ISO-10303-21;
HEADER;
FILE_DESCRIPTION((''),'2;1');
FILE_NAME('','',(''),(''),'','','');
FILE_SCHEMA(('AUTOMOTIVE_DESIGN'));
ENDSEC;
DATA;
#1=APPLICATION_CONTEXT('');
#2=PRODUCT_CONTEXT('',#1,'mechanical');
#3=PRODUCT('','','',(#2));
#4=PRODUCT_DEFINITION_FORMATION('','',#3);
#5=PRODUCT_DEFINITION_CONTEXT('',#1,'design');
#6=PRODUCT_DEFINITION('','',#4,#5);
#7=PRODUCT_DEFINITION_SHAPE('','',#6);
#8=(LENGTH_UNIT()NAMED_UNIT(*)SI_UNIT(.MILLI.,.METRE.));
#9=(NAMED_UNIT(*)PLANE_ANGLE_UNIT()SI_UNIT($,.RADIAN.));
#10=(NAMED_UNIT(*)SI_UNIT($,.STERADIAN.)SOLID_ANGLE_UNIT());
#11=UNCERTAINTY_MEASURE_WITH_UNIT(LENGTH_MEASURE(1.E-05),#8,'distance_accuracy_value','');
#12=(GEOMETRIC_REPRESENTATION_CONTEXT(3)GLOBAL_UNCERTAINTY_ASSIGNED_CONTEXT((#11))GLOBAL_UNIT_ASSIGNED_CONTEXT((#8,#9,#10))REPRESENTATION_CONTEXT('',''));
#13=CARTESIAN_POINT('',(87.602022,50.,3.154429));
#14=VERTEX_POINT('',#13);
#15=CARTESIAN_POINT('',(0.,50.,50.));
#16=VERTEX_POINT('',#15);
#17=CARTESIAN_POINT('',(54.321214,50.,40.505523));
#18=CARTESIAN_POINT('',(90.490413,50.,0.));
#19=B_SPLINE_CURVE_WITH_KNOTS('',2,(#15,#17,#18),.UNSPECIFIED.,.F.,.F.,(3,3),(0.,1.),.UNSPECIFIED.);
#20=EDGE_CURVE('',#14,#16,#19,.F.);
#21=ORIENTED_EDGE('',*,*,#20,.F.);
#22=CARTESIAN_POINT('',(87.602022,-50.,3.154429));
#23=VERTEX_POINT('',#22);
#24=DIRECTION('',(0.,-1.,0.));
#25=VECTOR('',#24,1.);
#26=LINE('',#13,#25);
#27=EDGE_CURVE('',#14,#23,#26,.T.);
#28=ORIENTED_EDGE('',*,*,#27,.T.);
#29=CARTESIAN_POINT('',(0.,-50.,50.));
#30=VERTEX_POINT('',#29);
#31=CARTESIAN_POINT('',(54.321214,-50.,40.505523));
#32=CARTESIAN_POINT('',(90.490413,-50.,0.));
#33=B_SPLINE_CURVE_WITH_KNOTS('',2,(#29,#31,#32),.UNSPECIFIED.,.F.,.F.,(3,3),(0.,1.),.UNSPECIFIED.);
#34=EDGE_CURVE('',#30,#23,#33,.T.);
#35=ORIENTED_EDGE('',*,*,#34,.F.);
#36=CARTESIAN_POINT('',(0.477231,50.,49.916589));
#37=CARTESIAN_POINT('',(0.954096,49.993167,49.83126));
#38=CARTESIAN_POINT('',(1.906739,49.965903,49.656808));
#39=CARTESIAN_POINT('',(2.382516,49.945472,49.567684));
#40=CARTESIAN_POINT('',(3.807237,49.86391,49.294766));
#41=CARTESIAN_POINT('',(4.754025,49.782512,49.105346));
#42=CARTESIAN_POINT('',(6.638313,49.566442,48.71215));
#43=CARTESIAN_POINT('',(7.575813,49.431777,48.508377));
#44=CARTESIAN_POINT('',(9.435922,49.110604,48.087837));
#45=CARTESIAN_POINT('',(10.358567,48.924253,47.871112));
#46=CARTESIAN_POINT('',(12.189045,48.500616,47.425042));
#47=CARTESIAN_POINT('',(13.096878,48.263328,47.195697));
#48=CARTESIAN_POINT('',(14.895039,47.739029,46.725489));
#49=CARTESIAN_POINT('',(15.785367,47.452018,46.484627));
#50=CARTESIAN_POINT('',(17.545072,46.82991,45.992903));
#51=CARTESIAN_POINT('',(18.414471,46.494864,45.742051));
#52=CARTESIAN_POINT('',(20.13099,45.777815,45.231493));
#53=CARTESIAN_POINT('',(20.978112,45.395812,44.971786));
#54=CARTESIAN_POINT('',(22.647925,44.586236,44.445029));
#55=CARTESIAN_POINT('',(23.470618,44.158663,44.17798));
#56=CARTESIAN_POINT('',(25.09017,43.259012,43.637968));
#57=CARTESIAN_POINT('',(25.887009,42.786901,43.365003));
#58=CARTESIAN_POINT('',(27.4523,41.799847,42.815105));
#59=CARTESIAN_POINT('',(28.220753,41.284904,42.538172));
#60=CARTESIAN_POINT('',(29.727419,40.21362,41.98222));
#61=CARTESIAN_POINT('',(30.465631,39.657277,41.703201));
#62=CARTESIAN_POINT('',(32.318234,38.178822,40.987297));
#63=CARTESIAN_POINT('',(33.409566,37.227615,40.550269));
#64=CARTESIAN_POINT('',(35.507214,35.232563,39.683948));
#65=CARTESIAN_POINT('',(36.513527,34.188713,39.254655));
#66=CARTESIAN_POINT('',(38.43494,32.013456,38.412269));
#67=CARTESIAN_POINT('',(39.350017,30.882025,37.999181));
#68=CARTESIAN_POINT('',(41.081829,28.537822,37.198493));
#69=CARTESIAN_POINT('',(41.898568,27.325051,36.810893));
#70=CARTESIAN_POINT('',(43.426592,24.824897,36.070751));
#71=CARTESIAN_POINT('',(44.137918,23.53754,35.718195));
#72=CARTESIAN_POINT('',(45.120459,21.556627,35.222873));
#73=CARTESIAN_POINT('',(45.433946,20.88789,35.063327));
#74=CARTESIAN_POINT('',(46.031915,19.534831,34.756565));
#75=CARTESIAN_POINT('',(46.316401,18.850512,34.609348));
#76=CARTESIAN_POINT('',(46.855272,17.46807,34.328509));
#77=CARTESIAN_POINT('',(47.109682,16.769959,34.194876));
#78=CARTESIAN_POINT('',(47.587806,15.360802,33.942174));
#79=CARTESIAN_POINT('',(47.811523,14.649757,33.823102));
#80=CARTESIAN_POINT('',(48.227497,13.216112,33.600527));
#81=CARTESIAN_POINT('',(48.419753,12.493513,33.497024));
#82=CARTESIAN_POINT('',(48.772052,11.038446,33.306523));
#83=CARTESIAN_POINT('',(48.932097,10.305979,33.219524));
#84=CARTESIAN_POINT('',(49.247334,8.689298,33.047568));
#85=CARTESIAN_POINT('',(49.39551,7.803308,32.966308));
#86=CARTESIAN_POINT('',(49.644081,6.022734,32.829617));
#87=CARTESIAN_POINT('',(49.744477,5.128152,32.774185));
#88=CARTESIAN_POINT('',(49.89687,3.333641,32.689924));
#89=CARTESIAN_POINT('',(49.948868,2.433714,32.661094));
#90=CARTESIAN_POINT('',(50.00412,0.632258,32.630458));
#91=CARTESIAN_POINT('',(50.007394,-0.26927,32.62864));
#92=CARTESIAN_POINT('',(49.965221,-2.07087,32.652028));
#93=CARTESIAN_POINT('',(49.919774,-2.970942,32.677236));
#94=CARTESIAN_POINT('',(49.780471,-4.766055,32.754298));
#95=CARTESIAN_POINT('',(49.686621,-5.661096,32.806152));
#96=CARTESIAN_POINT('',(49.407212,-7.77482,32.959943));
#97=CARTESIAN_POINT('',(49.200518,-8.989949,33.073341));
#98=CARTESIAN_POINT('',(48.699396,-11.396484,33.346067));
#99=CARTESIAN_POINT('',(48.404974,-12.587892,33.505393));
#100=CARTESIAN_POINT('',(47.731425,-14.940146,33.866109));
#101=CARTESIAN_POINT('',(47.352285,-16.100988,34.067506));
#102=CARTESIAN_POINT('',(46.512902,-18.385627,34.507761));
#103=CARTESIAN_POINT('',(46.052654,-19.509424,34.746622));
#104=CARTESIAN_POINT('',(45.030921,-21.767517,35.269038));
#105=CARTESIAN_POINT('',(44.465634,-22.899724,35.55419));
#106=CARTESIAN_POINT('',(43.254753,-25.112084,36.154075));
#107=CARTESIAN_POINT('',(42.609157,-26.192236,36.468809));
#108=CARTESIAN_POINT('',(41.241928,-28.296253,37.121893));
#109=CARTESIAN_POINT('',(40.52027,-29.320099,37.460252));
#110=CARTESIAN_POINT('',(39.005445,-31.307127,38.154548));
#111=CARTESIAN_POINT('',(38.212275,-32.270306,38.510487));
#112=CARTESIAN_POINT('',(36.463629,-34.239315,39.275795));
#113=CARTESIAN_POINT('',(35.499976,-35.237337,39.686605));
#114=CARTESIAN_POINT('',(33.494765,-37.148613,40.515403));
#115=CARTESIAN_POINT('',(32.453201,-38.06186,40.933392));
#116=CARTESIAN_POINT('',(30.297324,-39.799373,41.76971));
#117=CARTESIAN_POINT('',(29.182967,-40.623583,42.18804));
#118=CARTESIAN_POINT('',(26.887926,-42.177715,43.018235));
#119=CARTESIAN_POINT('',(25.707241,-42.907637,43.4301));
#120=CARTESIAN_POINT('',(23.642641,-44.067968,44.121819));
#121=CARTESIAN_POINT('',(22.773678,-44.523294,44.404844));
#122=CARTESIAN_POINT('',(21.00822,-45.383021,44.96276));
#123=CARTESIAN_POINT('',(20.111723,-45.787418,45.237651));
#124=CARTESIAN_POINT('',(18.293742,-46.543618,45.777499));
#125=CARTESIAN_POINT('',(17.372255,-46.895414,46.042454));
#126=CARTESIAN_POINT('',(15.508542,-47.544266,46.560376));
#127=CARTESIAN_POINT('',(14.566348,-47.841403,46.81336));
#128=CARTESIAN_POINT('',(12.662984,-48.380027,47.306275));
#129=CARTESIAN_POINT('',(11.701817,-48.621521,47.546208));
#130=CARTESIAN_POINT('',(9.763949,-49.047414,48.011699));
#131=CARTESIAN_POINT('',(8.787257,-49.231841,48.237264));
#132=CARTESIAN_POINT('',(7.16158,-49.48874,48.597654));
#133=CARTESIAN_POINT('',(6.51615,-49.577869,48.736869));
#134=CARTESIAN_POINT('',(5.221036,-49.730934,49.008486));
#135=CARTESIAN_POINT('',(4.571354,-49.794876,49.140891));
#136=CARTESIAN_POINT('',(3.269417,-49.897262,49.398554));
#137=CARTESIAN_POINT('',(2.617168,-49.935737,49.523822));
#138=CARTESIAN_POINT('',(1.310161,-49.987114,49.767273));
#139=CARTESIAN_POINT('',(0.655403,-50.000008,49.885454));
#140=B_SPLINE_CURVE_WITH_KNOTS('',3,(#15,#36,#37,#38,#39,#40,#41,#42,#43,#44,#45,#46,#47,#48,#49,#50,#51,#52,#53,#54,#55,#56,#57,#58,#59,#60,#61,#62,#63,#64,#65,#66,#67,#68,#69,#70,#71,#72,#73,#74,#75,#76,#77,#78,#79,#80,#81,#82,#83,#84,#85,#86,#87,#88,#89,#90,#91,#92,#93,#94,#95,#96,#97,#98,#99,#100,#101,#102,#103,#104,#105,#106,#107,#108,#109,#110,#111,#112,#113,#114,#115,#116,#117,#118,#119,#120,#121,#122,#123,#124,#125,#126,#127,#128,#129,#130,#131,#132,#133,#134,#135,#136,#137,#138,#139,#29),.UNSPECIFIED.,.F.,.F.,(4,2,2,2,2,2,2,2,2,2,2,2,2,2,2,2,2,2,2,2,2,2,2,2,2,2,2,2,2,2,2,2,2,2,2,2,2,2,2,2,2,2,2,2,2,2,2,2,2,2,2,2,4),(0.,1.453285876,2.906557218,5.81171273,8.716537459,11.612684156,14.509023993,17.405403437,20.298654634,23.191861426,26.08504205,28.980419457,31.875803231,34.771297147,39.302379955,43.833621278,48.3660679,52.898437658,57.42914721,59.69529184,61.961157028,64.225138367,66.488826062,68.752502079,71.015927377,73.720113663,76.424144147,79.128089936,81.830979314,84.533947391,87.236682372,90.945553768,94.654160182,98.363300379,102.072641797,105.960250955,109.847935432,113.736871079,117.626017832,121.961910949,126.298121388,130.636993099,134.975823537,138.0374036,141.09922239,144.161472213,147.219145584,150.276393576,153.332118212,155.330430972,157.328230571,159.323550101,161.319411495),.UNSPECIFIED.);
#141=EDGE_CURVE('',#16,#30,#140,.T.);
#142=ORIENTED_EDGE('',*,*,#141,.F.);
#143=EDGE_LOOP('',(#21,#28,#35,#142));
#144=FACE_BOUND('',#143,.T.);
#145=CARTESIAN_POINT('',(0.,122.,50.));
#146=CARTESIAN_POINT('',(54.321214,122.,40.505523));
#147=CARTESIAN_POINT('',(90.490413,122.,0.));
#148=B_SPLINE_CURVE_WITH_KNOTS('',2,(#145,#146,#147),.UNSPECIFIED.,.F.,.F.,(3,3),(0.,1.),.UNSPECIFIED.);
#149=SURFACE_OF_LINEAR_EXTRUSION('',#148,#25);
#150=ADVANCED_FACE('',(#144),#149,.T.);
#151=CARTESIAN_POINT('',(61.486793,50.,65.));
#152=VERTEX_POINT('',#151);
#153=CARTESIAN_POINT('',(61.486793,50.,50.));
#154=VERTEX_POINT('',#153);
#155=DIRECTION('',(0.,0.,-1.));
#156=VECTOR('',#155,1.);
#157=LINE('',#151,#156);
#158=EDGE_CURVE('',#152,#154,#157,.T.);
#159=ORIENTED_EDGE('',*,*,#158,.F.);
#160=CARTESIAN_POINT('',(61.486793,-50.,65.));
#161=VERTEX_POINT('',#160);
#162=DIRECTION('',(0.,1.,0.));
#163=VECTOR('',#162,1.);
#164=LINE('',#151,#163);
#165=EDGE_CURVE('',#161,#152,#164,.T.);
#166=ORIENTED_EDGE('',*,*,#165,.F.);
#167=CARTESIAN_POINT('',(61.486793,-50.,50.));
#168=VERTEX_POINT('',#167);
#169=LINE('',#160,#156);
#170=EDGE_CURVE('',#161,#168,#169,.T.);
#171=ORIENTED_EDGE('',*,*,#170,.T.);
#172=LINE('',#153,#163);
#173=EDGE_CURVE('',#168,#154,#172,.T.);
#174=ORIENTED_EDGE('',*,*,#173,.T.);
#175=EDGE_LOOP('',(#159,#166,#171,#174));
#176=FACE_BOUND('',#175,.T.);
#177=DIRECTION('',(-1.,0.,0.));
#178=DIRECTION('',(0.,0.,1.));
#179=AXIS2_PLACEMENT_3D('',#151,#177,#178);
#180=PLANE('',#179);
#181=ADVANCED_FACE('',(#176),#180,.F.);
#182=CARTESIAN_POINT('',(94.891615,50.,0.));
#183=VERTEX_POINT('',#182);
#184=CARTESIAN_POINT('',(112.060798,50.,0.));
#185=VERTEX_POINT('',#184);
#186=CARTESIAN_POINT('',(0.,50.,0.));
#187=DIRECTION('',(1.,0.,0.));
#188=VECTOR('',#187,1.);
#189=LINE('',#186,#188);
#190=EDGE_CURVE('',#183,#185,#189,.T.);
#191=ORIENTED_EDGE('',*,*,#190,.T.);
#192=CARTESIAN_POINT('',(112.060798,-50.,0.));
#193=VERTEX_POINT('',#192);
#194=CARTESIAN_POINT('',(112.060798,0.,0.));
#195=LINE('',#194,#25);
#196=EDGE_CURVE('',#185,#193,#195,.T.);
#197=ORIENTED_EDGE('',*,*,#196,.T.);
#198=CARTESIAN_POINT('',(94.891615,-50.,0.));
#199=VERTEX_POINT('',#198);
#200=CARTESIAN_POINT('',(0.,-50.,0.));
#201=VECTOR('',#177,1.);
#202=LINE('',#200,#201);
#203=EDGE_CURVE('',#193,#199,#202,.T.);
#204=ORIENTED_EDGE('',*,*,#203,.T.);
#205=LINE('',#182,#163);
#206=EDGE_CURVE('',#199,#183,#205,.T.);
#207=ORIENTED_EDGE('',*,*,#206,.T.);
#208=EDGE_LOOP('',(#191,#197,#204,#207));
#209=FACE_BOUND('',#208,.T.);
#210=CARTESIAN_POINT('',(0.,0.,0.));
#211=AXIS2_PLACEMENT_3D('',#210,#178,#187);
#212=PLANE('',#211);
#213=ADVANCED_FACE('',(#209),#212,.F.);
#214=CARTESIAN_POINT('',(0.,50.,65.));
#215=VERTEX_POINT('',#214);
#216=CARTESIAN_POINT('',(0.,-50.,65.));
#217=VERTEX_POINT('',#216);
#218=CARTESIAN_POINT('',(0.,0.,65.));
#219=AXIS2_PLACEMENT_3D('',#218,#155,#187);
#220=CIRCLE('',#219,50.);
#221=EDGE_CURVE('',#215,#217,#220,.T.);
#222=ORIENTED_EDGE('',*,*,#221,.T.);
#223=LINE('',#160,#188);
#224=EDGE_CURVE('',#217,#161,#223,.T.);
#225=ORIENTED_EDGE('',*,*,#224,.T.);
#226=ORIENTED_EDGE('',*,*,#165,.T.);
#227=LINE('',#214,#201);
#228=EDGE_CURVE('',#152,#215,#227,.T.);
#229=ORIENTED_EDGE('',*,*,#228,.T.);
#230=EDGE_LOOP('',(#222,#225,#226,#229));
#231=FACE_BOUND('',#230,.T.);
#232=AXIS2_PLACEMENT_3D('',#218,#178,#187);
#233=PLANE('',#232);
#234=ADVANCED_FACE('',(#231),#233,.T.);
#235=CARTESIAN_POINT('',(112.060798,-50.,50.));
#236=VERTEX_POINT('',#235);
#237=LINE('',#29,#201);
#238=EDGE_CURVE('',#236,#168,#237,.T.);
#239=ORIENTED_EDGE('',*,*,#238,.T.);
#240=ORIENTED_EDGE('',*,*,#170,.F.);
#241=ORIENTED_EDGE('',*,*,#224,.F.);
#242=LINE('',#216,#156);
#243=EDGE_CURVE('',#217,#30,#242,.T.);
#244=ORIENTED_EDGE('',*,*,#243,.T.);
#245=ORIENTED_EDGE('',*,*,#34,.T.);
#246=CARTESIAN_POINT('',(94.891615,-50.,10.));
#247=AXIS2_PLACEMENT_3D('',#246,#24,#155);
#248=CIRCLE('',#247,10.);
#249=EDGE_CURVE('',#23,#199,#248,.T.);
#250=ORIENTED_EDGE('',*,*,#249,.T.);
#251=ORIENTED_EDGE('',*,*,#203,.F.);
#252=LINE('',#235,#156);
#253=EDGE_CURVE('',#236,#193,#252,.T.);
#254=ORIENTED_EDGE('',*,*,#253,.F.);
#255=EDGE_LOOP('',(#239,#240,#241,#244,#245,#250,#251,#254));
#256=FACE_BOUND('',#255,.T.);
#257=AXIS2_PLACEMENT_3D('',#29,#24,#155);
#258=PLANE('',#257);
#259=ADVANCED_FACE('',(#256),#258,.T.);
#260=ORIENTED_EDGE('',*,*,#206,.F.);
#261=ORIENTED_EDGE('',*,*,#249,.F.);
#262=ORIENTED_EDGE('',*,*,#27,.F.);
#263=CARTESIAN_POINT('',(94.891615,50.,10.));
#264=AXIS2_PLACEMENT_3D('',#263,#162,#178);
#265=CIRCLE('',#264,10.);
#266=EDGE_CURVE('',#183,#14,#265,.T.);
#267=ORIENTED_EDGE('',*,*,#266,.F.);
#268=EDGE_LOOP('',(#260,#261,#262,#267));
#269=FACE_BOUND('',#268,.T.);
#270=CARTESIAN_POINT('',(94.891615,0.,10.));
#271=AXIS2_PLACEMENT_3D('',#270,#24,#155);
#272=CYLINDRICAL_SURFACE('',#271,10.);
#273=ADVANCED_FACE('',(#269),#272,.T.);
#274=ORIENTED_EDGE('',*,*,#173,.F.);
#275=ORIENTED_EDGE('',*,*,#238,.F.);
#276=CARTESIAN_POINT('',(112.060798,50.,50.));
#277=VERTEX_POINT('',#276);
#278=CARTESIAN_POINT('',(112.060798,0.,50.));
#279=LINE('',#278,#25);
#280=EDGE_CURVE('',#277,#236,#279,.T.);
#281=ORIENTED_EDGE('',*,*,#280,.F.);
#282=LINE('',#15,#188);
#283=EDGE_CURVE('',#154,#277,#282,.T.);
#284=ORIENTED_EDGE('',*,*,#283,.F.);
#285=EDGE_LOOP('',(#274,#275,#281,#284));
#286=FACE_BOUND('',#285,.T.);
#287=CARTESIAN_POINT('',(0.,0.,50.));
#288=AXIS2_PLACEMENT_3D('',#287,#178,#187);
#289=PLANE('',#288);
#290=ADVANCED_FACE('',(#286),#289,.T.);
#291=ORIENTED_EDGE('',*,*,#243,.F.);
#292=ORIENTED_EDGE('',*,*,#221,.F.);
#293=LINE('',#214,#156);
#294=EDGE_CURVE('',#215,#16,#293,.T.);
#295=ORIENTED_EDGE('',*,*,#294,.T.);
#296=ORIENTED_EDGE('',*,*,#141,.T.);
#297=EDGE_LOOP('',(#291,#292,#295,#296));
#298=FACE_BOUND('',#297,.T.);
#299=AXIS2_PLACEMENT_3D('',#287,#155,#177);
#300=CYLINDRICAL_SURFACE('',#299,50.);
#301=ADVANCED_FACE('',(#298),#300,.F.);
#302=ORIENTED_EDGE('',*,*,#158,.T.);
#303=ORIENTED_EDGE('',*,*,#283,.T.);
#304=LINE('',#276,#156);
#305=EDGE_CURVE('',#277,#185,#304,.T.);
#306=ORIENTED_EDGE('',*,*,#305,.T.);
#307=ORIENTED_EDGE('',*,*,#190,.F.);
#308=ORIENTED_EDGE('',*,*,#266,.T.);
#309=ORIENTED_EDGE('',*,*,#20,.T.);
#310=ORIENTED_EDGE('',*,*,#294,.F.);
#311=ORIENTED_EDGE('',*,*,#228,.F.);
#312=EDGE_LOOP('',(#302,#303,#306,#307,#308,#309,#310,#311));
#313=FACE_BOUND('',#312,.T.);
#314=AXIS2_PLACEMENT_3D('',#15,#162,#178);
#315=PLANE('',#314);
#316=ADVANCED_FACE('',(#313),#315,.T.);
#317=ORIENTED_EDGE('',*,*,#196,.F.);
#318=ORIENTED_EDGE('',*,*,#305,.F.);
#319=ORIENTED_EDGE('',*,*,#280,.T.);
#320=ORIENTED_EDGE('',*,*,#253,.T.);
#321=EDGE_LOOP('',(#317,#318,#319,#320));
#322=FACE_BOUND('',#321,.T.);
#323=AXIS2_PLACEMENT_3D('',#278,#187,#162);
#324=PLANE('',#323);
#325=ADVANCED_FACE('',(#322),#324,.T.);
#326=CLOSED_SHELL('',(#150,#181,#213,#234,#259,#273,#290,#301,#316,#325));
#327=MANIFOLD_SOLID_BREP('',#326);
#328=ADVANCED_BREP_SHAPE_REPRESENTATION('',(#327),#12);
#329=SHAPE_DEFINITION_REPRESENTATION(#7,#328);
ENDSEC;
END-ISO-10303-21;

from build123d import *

# Parameters (mm, degrees)
BOSS_EXTRUDE1_DEPTH     = 50
CUT_EXTRUDE1_DEPTH      = 122
CUT_EXTRUDE1_DEPTH_BACK = 98
FILLET1_R               = 10
BOSS_EXTRUDE2_DEPTH     = 15


with BuildPart() as part:
    # Sketch1 → Boss-Extrude1 (new body)
    with BuildSketch(Plane.XY):
        with BuildLine():
            Line((112.060798049, 50), (0, 50))
            ThreePointArc((0, 50), (35.355339059, 35.355339059), (50, 0))
            ThreePointArc((50, 0), (35.355339059, -35.355339059), (0, -50))
            Line((0, -50), (112.060798049, -50))
            Line((112.060798049, -50), (112.060798049, 50))
        make_face()
    extrude(amount=BOSS_EXTRUDE1_DEPTH)

    # Sketch2 → Cut-Extrude1 (cut, two sides)
    with BuildSketch(Plane(origin=(0, 0, 0), x_dir=(1, 0, 0), z_dir=(0, 1, 0))) as cut_extrude1_sk:
        with BuildLine():
            Line((90.490413338, 0), (0, 0))
            Line((0, 0), (0, -50))
            add(Edge.make_bspline(
                [(0, -50), (54.321214116, -40.505522655), (90.490413338, 0)],
                knots=[0, 0, 0, 1, 1, 1], degree=2))
        make_face()
    extrude(amount=CUT_EXTRUDE1_DEPTH, mode=Mode.SUBTRACT)
    extrude(cut_extrude1_sk.sketch, amount=-CUT_EXTRUDE1_DEPTH_BACK, mode=Mode.SUBTRACT)

    # Fillet1
    fillet1_edges = [part.edges().sort_by_distance(p)[0] for p in [
        (90.490413338, -25, 0),
    ]]
    fillet(fillet1_edges, radius=FILLET1_R)

    # Sketch3 → Boss-Extrude2 (add)
    with BuildSketch(Plane.XY.offset(50)):
        with BuildLine():
            Line((0, 50), (61.486792526, 50))
            Line((61.486792526, 50), (61.486792526, -50))
            Line((61.486792526, -50), (0, -50))
            ThreePointArc((0, -50), (50, 0), (0, 50))
        make_face()
    extrude(amount=BOSS_EXTRUDE2_DEPTH)


solid = part.part
